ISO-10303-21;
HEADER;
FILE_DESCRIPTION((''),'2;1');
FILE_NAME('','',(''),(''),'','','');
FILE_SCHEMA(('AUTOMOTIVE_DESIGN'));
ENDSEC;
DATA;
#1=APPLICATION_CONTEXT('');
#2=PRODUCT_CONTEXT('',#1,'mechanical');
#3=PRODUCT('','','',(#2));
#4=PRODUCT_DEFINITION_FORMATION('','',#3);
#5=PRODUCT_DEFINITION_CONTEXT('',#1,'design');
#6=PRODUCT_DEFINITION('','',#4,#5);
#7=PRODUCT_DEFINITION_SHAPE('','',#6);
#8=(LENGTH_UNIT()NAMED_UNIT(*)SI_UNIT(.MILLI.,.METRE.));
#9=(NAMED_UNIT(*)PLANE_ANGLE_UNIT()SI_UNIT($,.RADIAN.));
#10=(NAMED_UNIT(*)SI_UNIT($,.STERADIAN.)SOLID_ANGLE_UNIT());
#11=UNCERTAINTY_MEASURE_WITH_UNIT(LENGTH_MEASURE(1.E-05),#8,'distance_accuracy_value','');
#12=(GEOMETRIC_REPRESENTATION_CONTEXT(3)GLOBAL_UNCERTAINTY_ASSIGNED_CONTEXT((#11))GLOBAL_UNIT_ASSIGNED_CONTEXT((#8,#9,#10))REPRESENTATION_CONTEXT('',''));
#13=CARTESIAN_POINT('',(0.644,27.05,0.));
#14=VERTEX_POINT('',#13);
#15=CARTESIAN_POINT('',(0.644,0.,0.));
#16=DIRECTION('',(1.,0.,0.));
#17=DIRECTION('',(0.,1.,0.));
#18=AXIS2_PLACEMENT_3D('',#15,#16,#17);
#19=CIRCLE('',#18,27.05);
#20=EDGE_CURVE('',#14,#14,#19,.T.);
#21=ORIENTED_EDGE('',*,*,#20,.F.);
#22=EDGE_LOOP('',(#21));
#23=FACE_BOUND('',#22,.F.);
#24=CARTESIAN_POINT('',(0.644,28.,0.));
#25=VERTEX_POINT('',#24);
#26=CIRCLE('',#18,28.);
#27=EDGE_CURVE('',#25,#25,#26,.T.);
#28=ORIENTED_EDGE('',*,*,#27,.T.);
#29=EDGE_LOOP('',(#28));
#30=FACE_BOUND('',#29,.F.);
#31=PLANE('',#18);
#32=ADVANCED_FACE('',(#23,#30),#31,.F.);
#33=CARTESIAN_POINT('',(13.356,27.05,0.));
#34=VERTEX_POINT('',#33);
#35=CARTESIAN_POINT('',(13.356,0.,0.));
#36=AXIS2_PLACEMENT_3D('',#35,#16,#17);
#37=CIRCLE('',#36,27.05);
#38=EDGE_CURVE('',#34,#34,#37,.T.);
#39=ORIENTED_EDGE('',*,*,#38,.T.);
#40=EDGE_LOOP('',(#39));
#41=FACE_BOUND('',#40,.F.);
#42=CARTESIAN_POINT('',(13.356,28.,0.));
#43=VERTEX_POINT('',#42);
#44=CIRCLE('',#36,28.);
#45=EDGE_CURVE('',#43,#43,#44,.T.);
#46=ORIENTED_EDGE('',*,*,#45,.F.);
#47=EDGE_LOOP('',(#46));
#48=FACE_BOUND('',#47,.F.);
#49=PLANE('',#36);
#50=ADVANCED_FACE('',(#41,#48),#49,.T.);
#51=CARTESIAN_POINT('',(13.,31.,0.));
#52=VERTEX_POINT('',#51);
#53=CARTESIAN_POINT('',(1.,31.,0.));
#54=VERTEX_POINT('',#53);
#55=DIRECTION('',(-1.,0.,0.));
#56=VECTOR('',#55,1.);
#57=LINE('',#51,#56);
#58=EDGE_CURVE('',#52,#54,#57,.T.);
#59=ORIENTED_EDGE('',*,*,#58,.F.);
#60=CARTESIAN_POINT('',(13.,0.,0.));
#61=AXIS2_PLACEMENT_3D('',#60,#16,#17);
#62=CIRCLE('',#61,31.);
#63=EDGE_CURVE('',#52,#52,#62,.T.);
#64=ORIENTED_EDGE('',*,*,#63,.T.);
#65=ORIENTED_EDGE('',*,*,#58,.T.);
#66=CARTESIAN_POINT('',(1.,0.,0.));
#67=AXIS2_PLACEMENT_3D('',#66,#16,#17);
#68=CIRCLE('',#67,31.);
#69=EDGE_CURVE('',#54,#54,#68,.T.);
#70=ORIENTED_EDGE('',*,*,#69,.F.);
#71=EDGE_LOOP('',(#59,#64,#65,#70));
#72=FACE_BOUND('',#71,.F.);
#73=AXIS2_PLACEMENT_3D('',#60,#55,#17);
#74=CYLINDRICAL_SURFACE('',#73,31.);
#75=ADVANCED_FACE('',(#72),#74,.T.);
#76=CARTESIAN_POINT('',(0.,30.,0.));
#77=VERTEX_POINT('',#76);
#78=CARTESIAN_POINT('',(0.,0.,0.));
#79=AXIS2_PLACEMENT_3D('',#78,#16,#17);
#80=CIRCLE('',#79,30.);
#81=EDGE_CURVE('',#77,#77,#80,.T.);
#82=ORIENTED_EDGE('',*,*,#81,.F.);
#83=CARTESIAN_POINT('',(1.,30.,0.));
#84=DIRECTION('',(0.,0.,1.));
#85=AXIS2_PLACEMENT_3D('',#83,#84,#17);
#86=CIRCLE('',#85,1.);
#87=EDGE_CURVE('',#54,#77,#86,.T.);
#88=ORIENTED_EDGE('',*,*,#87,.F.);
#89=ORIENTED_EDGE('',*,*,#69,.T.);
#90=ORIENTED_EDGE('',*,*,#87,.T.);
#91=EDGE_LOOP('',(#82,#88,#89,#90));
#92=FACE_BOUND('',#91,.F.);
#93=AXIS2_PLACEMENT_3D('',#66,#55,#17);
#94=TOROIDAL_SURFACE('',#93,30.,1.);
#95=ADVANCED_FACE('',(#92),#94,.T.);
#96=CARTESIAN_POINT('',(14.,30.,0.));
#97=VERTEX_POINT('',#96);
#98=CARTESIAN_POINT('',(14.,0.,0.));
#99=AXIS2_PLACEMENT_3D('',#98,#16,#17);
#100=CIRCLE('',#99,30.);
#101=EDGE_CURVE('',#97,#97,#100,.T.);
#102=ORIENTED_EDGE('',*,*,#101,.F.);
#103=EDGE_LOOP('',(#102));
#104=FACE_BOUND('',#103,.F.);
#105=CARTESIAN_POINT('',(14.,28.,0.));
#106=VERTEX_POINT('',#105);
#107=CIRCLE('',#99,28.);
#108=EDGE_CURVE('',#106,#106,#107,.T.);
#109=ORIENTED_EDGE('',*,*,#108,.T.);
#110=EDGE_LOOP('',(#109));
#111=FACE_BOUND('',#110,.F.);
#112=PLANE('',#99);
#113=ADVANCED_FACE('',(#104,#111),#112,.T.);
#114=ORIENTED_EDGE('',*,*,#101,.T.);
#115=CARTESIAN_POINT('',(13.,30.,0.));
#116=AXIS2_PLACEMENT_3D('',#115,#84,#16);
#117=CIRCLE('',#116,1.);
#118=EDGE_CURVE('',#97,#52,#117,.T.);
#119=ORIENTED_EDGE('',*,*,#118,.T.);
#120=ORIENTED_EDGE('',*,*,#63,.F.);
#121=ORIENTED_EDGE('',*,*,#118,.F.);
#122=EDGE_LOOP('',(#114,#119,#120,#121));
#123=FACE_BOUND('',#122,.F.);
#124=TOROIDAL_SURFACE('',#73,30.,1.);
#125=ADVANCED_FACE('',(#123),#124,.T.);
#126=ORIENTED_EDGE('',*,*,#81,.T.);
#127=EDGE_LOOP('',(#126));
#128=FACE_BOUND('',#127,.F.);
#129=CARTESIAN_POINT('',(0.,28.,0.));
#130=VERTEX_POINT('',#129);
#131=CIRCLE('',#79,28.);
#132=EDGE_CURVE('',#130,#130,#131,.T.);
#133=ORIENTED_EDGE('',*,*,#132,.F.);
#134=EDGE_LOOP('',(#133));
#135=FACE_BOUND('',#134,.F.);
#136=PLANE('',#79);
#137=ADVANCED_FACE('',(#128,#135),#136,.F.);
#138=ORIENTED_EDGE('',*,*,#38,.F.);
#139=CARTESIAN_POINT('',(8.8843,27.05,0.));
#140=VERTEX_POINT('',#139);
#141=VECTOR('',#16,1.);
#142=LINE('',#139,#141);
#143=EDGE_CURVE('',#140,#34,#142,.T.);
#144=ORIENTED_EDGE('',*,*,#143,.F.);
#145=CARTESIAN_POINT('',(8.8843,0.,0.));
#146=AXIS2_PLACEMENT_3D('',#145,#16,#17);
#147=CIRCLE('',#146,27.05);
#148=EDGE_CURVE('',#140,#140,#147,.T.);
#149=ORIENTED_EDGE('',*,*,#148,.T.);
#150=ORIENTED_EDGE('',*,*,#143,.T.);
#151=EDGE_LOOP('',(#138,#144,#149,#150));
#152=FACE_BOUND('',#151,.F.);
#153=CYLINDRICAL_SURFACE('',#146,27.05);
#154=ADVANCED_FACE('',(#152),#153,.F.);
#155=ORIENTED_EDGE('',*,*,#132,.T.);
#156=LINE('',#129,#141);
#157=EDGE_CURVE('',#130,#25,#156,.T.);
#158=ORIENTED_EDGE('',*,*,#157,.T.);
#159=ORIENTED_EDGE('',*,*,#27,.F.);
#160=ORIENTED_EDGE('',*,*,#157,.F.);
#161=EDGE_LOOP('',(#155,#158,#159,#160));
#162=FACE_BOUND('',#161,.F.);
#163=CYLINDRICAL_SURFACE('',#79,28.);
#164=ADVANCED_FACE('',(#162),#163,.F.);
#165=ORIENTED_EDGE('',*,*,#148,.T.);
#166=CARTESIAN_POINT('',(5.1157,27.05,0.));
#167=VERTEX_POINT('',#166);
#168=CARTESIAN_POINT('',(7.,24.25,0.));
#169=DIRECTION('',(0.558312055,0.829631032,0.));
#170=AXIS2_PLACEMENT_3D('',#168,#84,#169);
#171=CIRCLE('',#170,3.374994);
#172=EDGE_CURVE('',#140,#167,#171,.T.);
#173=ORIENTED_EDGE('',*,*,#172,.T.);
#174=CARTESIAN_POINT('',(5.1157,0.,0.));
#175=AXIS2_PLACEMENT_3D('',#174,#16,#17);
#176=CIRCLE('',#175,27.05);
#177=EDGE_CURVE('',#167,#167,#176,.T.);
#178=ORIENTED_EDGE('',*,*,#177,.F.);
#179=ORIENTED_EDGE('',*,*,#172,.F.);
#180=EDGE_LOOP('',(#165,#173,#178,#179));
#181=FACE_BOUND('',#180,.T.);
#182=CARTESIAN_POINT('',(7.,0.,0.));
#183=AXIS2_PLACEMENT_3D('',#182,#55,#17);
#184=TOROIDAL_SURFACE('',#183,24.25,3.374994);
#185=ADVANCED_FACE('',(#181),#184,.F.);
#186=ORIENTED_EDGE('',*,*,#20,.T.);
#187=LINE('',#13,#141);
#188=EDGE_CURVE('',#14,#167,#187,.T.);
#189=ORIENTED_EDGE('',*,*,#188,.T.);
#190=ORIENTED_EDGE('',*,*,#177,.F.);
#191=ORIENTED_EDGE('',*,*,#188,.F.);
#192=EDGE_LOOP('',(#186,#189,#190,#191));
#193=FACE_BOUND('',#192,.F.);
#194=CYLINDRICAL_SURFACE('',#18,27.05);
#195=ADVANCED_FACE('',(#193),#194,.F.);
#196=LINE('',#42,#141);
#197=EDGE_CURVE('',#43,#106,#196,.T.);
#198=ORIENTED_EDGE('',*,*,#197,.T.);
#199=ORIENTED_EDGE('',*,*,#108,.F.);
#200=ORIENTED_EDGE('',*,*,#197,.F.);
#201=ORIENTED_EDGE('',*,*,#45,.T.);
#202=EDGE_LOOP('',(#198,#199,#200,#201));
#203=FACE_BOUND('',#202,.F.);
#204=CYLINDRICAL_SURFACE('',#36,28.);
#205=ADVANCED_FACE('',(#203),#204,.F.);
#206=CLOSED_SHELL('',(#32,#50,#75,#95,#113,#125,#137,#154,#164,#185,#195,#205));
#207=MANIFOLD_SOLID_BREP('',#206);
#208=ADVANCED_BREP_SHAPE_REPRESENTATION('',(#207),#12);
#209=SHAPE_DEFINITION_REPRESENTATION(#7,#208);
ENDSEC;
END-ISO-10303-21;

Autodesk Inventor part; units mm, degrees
sketch "Sketch_1" plane through (0, 0, 0) normal (0, 0, 1) x (1, 0, 0)
  line L0 (14, 0) -> (0, 0)
  line L1 (0, 28) -> (0.644, 28)
  line L2 (0.644, 28) -> (0.644, 27.05)
  line L3 (0.644, 27.05) -> (5.1157, 27.05)
  arc A0 (8.8843, 27.05) -> (5.1157, 27.05) centre (7, 24.25) ccw
  line L4 (8.8843, 27.05) -> (13.356, 27.05)
  line L5 (13.356, 27.05) -> (13.356, 28)
  line L6 (13.356, 28) -> (14, 28)
  line L7 (14, 28) -> (14, 30)
  arc A1 (14, 30) -> (13, 31) centre (13, 30) ccw
  line L8 (13, 31) -> (1, 31)
  arc A2 (1, 31) -> (0, 30) centre (1, 30) ccw
  line L9 (0, 30) -> (0, 28)
revolve "Revolution1" add sketch "Sketch_1" angle 360 about axis through (14, 0, 0) along (1, 0, 0)
ref_plane "ip_cst_1_or_1_XY" through (0, 0, 0) normal (1, 0, 0) x (0, 0, -1)
ref_plane "ip_cst_1_or_1_YZ" through (0, 0, 0) normal (0, 0, -1) x (0, 1, 0)
ref_plane "ip_cst_1_or_1_ZX" through (0, 0, 0) normal (0, 1, 0) x (1, 0, 0)
ref_plane "ip_cst_1_or_2_XY" through (0, 0, 0) normal (-1, 0, 0) x (0, 0, -1)
ref_plane "ip_cst_1_or_2_YZ" through (0, 0, 0) normal (0, 0, -1) x (0, -1, 0)
ref_plane "ip_cst_1_or_2_ZX" through (0, 0, 0) normal (0, -1, 0) x (-1, 0, 0)
ref_plane "ip_cst_1_or_3_XY" through (0.644, 0, 0) normal (1, 0, 0) x (0, 0, -1)
ref_plane "ip_cst_1_or_3_YZ" through (0.644, 0, 0) normal (0, 0, -1) x (0, 1, 0)
ref_plane "ip_cst_1_or_3_ZX" through (0.644, 0, 0) normal (0, 1, 0) x (1, 0, 0)
ref_plane "ip_cst_1_or_4_XY" through (13.356, 0, 0) normal (-1, 0, 0) x (0, 0, -1)
ref_plane "ip_cst_1_or_4_YZ" through (13.356, 0, 0) normal (0, 0, -1) x (0, -1, 0)
ref_plane "ip_cst_1_or_4_ZX" through (13.356, 0, 0) normal (0, -1, 0) x (-1, 0, 0)
properties part number "6007DDU Outer ring"
